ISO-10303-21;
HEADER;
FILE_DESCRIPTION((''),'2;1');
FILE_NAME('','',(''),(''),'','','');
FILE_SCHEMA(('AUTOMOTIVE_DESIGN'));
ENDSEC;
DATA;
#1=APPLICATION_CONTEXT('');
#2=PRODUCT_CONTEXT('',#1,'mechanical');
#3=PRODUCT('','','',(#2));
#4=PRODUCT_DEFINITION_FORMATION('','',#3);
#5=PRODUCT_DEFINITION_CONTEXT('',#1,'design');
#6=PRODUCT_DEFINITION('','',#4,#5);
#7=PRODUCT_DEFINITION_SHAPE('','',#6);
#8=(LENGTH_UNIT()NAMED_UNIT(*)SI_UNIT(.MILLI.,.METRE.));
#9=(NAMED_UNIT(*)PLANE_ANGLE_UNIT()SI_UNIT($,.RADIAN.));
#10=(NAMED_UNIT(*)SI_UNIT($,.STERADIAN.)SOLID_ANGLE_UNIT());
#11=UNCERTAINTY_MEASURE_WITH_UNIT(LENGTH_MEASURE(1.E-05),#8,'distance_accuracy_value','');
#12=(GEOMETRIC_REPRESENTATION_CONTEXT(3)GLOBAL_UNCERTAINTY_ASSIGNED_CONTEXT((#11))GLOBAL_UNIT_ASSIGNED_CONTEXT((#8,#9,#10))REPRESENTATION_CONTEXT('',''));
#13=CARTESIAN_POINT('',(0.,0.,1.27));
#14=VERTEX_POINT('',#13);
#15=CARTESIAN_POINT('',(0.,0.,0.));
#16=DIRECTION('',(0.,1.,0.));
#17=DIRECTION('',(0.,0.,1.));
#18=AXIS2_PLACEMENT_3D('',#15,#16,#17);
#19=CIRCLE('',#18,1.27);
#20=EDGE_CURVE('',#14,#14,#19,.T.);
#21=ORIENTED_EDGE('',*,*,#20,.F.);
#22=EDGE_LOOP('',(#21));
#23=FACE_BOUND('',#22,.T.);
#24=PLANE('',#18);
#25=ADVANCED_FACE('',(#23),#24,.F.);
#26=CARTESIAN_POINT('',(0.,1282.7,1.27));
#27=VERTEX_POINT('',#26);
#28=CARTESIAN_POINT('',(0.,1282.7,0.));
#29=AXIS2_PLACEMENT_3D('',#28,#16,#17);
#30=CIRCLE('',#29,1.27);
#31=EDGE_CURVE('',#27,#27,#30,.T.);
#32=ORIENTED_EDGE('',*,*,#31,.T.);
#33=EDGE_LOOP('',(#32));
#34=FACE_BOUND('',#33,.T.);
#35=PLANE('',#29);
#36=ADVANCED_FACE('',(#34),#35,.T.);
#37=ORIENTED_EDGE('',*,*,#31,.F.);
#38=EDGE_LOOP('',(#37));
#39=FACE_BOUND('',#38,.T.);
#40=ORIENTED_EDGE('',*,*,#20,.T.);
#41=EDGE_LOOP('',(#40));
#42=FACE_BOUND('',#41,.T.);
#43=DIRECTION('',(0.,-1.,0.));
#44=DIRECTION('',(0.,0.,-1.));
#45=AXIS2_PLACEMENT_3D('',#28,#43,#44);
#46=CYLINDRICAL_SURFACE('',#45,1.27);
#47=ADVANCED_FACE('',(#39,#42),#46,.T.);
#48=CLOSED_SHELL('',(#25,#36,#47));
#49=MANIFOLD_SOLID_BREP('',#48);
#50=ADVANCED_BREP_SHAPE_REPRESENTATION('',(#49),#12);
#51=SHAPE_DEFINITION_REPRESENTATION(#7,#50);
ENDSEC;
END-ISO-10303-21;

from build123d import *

# Parameters (mm, degrees)
SKETCH2_R           = 1.27
BOSS_EXTRUDE3_DEPTH = 1282.7


with BuildPart() as part:
    # Sketch2 → Boss-Extrude3 (new body)
    with BuildSketch(Plane(origin=(0, 0, 0), x_dir=(1, 0, 0), z_dir=(0, 1, 0))):
        Circle(SKETCH2_R)
    extrude(amount=BOSS_EXTRUDE3_DEPTH)


solid = part.part
